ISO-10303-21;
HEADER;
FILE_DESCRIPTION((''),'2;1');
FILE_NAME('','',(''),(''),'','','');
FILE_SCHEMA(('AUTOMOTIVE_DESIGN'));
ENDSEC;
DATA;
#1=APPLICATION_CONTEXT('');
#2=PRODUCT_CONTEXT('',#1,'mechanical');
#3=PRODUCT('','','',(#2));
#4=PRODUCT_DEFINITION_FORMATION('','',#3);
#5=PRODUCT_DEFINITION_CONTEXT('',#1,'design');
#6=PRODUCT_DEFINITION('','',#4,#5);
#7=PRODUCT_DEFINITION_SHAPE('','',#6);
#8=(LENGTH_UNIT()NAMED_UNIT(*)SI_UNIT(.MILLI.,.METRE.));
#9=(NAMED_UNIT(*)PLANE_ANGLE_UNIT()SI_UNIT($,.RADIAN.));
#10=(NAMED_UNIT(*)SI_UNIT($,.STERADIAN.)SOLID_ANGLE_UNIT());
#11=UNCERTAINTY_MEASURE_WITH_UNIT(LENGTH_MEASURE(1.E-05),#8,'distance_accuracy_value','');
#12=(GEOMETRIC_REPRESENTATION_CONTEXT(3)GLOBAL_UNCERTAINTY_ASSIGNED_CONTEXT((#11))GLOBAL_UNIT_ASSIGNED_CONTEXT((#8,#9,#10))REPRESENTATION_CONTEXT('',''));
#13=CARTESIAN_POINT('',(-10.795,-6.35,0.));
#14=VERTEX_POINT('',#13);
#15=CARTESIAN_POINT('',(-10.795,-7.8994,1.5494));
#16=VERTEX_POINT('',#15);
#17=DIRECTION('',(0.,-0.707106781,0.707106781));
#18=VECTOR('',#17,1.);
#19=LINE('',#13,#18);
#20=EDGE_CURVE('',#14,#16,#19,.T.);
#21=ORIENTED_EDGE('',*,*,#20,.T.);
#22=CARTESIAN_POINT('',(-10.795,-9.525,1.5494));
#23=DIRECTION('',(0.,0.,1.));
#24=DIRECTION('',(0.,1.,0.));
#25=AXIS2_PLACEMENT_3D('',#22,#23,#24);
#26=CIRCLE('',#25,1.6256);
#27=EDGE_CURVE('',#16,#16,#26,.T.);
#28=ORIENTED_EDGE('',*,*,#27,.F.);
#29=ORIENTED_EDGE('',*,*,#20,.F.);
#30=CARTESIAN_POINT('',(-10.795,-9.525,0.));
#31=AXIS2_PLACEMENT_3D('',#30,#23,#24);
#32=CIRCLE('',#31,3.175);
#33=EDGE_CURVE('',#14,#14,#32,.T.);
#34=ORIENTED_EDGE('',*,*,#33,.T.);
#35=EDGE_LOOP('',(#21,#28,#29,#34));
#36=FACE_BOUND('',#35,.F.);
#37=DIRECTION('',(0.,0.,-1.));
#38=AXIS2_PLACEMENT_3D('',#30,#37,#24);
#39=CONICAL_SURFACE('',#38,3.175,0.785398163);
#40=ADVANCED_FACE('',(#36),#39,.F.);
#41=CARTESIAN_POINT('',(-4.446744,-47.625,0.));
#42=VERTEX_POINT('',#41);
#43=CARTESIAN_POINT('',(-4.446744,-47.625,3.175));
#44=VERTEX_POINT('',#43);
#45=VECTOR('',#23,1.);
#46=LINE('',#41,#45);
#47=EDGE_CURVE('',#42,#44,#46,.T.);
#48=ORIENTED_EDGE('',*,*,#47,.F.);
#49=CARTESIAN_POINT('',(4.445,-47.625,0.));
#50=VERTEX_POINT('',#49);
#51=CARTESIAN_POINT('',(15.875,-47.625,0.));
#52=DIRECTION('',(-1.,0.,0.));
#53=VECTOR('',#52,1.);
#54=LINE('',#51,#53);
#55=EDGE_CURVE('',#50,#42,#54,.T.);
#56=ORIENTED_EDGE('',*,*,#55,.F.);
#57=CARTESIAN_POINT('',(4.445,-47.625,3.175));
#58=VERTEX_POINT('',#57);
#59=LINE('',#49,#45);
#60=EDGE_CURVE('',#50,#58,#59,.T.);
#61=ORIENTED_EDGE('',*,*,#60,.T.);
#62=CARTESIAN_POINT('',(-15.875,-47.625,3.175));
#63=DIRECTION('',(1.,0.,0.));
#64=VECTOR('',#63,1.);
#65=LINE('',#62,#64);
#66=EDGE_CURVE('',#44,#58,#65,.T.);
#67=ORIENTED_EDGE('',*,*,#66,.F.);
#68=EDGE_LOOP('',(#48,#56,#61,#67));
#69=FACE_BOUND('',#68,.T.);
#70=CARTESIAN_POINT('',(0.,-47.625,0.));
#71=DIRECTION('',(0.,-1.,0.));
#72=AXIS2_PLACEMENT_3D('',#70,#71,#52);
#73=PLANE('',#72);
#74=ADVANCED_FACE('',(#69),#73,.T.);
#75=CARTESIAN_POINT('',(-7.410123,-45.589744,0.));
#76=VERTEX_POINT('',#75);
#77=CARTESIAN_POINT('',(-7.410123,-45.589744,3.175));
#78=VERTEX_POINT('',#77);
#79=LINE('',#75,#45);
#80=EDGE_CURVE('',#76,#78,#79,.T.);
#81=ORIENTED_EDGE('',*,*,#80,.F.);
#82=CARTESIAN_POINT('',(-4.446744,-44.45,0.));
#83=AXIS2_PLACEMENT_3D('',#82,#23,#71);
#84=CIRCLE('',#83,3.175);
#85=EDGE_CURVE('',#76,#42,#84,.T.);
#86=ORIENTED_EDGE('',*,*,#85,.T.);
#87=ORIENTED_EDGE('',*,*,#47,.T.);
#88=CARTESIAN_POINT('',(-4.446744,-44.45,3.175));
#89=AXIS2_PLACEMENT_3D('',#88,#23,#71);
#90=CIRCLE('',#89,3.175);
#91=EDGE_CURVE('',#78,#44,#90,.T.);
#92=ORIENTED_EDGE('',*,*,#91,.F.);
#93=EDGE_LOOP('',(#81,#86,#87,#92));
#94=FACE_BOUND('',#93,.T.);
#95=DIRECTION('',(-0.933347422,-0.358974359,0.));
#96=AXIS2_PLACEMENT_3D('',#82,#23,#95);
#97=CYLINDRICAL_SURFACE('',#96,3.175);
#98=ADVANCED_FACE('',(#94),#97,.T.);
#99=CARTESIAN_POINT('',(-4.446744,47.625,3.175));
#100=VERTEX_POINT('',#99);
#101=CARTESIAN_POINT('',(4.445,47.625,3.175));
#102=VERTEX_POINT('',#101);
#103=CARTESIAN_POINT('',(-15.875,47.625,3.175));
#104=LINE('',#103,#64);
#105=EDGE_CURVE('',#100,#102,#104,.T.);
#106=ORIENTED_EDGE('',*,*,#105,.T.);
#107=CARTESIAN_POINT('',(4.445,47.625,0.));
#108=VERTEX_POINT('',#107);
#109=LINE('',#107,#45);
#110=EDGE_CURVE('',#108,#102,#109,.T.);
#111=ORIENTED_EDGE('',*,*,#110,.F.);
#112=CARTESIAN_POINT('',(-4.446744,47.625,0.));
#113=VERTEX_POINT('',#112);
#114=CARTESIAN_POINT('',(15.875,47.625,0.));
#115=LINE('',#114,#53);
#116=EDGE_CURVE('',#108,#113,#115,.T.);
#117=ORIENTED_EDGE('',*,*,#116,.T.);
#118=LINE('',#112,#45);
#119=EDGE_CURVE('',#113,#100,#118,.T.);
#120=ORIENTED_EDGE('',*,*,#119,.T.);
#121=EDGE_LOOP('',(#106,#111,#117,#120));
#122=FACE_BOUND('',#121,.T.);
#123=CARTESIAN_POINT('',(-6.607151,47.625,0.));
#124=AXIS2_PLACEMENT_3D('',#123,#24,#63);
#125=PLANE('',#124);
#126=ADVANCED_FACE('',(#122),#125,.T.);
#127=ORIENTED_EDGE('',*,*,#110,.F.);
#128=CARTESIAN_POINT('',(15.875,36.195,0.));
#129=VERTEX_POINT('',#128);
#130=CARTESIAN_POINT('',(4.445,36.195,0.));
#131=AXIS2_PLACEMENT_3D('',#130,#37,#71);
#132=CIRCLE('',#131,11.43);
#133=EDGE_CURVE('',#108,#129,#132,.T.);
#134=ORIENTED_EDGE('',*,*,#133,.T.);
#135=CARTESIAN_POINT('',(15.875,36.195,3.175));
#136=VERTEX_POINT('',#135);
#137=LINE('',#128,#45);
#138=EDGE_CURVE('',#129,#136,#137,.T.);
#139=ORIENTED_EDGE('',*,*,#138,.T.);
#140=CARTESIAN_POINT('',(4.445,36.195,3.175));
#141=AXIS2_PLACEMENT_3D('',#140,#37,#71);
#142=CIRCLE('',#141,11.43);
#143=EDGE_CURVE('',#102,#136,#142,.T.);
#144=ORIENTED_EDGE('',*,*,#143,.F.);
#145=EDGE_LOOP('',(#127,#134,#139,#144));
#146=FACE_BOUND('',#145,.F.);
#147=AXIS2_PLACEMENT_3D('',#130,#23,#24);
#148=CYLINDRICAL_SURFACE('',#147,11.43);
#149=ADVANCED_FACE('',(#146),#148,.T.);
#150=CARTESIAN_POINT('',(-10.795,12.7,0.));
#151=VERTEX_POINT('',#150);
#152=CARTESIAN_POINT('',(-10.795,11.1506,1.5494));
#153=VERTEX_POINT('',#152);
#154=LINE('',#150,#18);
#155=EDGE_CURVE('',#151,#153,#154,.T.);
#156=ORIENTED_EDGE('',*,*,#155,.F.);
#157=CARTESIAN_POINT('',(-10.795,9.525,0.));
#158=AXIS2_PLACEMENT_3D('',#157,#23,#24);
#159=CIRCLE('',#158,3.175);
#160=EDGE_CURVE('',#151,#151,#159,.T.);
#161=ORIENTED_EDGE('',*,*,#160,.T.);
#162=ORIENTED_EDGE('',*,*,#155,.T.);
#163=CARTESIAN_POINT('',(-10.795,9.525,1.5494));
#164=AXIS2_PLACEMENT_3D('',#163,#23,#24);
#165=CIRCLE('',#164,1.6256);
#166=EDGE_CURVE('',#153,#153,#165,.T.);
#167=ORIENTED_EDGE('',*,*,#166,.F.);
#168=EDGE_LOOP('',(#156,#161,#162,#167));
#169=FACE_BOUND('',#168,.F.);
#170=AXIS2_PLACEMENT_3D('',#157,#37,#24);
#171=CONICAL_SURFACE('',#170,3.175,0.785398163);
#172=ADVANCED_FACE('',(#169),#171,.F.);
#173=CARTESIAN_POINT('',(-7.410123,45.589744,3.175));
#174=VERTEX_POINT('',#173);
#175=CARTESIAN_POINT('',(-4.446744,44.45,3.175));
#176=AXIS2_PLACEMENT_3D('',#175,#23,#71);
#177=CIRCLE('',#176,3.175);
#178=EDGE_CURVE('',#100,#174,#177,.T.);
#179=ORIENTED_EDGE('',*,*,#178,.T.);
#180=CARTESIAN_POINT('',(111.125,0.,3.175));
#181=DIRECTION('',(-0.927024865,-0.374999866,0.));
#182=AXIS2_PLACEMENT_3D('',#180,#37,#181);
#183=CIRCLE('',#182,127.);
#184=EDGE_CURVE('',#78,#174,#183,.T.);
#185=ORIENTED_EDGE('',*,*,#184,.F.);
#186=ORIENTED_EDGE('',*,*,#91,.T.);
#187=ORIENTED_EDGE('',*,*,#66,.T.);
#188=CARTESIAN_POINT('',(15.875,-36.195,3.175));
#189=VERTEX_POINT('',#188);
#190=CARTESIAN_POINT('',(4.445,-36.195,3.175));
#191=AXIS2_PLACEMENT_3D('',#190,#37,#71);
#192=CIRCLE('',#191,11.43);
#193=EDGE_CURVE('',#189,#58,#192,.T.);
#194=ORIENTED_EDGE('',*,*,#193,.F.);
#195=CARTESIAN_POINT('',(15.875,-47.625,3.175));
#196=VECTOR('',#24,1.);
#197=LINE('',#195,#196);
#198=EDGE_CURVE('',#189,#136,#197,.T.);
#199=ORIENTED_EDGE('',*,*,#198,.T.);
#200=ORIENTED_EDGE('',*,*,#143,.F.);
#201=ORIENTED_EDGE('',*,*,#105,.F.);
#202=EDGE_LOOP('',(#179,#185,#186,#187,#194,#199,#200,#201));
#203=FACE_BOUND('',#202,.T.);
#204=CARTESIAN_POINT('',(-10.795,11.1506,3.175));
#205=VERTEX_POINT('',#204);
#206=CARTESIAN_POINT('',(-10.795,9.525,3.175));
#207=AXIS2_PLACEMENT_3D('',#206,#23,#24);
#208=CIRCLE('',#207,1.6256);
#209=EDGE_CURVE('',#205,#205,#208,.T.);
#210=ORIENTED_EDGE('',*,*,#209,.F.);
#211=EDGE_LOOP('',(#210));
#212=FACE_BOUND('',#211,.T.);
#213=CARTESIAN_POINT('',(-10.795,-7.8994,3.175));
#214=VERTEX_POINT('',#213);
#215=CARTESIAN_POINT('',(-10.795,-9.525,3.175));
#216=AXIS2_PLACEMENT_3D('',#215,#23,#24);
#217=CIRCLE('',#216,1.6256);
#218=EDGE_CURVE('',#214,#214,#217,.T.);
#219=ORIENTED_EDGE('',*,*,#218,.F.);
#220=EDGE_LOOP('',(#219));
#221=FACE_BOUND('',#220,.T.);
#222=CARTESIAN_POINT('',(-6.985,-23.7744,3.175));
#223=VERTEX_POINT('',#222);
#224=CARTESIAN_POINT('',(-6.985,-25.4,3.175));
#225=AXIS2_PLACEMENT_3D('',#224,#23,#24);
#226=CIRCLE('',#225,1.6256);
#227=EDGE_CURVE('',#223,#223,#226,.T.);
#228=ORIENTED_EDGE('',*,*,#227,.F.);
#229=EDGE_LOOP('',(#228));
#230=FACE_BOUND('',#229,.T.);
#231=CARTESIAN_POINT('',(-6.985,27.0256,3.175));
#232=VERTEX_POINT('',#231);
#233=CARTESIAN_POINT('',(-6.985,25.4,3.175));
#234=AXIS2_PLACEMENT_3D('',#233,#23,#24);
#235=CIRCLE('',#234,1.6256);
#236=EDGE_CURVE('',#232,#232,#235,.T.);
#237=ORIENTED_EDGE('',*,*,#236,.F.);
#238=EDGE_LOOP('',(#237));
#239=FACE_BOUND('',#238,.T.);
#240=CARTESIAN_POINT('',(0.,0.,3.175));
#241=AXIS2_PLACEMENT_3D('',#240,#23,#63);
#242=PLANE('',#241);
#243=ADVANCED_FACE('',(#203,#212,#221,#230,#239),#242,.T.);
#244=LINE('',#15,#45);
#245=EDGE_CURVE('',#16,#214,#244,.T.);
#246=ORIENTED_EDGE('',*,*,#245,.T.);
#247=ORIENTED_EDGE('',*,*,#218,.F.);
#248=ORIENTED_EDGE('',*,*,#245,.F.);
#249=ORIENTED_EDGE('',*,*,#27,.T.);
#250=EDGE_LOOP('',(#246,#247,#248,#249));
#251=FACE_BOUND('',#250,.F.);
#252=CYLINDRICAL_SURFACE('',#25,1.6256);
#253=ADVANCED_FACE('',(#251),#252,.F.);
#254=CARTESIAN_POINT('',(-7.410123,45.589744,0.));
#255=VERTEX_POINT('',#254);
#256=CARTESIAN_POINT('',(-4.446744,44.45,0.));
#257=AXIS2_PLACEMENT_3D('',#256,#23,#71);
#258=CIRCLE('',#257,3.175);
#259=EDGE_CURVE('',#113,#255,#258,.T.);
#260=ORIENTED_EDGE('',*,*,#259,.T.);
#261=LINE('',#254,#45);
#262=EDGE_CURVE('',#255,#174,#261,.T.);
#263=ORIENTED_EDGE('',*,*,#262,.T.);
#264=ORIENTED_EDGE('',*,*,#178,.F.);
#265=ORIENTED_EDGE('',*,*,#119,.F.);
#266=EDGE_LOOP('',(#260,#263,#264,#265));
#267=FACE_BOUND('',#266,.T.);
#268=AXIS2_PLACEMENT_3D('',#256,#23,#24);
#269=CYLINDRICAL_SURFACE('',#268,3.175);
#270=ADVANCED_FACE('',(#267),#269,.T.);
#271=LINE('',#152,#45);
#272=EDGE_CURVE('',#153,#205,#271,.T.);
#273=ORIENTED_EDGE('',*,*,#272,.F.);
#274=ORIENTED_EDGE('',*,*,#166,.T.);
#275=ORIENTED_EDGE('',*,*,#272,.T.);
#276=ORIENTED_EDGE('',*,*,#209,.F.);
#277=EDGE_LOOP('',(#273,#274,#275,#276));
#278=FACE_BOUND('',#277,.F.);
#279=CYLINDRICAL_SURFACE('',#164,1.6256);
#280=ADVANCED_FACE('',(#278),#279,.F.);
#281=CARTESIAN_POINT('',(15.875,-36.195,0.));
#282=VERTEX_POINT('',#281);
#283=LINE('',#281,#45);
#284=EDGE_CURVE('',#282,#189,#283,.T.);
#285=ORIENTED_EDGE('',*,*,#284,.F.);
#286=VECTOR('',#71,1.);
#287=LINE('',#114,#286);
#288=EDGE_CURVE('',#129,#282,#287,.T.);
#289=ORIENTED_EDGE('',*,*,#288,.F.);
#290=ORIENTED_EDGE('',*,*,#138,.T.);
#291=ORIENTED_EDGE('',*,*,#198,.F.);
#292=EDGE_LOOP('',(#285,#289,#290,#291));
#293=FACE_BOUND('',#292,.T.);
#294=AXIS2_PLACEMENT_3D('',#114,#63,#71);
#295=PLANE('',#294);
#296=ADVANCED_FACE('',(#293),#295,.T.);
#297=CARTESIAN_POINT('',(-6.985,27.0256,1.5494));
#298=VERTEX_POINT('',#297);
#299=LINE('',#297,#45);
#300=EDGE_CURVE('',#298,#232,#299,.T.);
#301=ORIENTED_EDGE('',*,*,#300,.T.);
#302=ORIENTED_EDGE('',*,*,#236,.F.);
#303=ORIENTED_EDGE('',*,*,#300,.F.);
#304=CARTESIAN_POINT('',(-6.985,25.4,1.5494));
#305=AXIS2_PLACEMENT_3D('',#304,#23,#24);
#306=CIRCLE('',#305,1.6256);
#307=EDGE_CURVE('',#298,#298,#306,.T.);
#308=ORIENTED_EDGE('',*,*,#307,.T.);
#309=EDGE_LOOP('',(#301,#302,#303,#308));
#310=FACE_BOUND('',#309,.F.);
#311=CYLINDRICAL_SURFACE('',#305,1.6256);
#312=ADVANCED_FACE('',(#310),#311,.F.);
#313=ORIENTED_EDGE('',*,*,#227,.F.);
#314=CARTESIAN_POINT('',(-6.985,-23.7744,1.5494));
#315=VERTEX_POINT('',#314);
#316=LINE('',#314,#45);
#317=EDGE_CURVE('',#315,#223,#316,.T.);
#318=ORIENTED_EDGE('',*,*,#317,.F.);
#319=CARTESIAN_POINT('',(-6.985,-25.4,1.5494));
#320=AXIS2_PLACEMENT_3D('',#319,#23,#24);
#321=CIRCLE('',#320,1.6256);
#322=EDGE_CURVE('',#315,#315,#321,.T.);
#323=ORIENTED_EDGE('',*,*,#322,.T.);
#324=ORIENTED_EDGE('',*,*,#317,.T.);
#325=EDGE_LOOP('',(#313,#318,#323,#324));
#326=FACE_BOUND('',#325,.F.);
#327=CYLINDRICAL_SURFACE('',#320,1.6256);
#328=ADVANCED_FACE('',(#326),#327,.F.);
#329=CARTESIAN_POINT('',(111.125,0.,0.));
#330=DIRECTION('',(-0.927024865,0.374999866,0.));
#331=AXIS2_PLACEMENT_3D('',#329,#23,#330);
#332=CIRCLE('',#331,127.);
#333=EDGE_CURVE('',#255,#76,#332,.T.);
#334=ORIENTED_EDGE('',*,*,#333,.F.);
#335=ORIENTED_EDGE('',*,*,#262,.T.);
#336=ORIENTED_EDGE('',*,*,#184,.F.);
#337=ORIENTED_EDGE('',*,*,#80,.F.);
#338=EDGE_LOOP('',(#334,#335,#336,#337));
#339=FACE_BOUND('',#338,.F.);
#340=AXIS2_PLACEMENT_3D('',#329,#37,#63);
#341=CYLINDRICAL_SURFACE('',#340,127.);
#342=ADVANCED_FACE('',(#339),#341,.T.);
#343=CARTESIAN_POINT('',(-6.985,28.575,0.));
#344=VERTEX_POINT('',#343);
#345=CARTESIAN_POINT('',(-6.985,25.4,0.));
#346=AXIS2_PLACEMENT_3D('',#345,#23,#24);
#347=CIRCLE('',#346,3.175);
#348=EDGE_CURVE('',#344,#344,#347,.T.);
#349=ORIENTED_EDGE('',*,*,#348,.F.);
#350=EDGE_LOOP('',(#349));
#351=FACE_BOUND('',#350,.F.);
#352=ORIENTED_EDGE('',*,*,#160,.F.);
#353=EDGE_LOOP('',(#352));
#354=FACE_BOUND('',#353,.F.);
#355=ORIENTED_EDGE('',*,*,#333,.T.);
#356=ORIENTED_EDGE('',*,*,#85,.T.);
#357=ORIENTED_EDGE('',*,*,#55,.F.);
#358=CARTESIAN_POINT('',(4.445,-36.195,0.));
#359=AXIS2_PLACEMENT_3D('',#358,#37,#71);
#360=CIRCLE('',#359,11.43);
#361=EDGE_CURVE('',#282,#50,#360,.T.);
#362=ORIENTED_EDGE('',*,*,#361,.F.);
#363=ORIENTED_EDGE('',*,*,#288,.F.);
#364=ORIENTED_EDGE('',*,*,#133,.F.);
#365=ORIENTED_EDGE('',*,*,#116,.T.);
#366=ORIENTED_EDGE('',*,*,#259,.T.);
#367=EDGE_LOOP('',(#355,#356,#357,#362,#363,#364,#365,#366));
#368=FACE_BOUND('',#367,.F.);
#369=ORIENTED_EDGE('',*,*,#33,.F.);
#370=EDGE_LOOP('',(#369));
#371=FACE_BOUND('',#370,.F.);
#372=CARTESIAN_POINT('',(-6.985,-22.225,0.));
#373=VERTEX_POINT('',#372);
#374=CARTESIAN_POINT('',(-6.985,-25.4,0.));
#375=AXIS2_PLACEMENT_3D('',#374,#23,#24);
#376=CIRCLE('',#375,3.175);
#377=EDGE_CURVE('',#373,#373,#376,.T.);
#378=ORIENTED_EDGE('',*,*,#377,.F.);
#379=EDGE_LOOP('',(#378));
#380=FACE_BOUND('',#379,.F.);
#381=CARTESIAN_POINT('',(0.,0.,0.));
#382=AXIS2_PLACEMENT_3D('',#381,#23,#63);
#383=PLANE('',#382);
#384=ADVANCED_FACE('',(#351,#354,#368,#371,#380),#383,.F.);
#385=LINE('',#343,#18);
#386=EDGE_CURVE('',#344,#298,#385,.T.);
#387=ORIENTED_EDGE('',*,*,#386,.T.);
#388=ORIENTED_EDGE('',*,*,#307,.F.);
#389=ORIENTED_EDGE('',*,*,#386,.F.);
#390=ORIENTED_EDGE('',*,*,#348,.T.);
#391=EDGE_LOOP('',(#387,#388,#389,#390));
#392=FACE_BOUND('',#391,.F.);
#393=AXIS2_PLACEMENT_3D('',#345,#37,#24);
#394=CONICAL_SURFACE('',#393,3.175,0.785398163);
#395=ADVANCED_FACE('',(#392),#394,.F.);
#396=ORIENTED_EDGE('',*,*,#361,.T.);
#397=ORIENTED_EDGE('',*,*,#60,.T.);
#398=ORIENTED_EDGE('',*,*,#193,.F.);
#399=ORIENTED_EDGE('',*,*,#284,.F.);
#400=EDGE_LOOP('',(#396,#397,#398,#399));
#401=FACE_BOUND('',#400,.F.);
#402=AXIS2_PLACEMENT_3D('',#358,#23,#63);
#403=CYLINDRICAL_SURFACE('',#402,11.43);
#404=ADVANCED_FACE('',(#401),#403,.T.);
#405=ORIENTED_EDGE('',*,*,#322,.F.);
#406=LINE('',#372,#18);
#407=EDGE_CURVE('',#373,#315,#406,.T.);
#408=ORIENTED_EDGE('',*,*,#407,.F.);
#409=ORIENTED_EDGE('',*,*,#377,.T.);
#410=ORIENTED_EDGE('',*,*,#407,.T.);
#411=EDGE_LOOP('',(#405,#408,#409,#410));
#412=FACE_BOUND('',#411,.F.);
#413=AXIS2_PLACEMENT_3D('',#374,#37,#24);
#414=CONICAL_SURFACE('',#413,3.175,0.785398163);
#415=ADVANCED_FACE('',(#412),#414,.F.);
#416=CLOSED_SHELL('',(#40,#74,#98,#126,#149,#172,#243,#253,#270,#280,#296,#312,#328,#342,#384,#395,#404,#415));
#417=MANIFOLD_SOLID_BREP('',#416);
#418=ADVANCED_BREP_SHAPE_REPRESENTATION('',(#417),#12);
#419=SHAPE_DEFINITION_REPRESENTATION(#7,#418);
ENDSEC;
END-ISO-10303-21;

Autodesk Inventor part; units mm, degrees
ref_plane "YZ Plane" through (0, 0, 0) normal (1, 0, 0) x (0, 1, 0)
ref_plane "XZ Plane" through (0, 0, 0) normal (0, 1, 0) x (-1, 0, 0)
ref_plane "XY Plane" through (0, 0, 0) normal (0, 0, 1) x (1, 0, 0)
sketch "Sketch1" plane through (0, 0, 0) normal (0, 0, 1) x (1, 0, 0)
  line L0 (0, 177.8) -> (0, -177.8) projected
  line L1 (-66.675, 0) -> (288.925, 0) projected
  line L2 (15.875, -47.625) -> (-15.875, -47.625)
  line L3 (-15.875, -47.625) -> (-15.875, 47.625)
  line L4 (-15.875, 47.625) -> (15.875, 47.625)
  line L5 (15.875, 47.625) -> (15.875, -47.625)
  line L6 (0, 0) -> (0, 35.5411)
  circle A0 centre (71.6788, 0) radius 60.6679 construction
  circle A1 centre (71.6788, 0) radius 56.8579 construction
  circle A2 centre (71.6788, 0) radius 83.5279 construction
  line L7 (0, 47.625) -> (-15.875, 34.925) construction
  circle A3 centre (111.125, 0) radius 127
  point P0 (-10.795, 9.525)
  point P1 (-10.795, -9.525)
  point P2 (-6.985, 25.4)
  point P3 (-6.985, -25.4)
  dimension "d0" = 31.75
  dimension "d15" = 47.625
  dimension "d16" = 47.625
  dimension "d20" = 0
  dimension "d21" = 71.6788
  dimension "d22" = 121.3358
  dimension "d23" = 3.81
  dimension "d25" = 22.86
  dimension "d26" = 15.875
  dimension "d27" = 12.7
  dimension "d28" = 9.525
  dimension "d29" = 9.525
  dimension "d32" = 8.89
  dimension "d33" = 5.08
  dimension "d34" = 15.875
  dimension "d35" = 15.875
  dimension "d36" = 254
  dimension "d37" = 127
extrude "Extrusion1" add sketch "Sketch1" along normal blind 3.175 contours L1 A3 L4 L0 | L1 L5 L2 L0 | L0 L2 A3 L1 | L0 L4 L5 L1 | A3 L2 L3 | L3 L4 A3
hole "Hole1" at (-10.795, 9.525, 0) at (-10.795, -9.525, 0) at (-6.985, 25.4, 0) at (-6.985, -25.4, 0) direction (0, 0, 1) diameter 3.2512 end through all countersink diameter 6.35 countersink angle 90
fillet "Fillet1" radius 11.43 2 edges at (15.875, 47.625, 1.5875) (15.875, -47.625, 1.5875)
sketch "Sketch2" plane through (0, 0, 0) normal (0, 0, 1) x (1, 0, 0)
  circle A0 centre (111.125, 0) radius 127 projected
  line L0 (4.445, 47.625) -> (-15.875, 47.625) projected
  line L1 (-15.875, -47.625) -> (4.445, -47.625) projected
  line L2 (-15.875, 47.625) -> (-15.875, -47.625) projected
  arc A1 (-6.6072, 47.625) -> (-6.6072, -47.625) centre (111.125, 0) ccw
  line L3 (-6.6072, 47.625) -> (-15.875, 47.625)
  line L4 (-15.875, 0) -> (-15.875, -47.625)
  line L5 (-15.875, -47.625) -> (-6.6072, -47.625)
  line L6 (-15.875, 47.625) -> (-15.875, 0)
  point P0 (0, 0)
extrude "Extrusion2" cut sketch "Sketch2" along normal blind 25.4 contours A0 L2 L0 | L1 L2 A0
fillet "Fillet2" radius 3.175 2 edges at (-6.6072, 47.625, 1.5875) (-6.6072, -47.625, 1.5875)
equation "\"d26\" = 0.5 * d0"
properties part number "J005322" material "STEEL, LOW CARBON (1008/1018/1020)"
